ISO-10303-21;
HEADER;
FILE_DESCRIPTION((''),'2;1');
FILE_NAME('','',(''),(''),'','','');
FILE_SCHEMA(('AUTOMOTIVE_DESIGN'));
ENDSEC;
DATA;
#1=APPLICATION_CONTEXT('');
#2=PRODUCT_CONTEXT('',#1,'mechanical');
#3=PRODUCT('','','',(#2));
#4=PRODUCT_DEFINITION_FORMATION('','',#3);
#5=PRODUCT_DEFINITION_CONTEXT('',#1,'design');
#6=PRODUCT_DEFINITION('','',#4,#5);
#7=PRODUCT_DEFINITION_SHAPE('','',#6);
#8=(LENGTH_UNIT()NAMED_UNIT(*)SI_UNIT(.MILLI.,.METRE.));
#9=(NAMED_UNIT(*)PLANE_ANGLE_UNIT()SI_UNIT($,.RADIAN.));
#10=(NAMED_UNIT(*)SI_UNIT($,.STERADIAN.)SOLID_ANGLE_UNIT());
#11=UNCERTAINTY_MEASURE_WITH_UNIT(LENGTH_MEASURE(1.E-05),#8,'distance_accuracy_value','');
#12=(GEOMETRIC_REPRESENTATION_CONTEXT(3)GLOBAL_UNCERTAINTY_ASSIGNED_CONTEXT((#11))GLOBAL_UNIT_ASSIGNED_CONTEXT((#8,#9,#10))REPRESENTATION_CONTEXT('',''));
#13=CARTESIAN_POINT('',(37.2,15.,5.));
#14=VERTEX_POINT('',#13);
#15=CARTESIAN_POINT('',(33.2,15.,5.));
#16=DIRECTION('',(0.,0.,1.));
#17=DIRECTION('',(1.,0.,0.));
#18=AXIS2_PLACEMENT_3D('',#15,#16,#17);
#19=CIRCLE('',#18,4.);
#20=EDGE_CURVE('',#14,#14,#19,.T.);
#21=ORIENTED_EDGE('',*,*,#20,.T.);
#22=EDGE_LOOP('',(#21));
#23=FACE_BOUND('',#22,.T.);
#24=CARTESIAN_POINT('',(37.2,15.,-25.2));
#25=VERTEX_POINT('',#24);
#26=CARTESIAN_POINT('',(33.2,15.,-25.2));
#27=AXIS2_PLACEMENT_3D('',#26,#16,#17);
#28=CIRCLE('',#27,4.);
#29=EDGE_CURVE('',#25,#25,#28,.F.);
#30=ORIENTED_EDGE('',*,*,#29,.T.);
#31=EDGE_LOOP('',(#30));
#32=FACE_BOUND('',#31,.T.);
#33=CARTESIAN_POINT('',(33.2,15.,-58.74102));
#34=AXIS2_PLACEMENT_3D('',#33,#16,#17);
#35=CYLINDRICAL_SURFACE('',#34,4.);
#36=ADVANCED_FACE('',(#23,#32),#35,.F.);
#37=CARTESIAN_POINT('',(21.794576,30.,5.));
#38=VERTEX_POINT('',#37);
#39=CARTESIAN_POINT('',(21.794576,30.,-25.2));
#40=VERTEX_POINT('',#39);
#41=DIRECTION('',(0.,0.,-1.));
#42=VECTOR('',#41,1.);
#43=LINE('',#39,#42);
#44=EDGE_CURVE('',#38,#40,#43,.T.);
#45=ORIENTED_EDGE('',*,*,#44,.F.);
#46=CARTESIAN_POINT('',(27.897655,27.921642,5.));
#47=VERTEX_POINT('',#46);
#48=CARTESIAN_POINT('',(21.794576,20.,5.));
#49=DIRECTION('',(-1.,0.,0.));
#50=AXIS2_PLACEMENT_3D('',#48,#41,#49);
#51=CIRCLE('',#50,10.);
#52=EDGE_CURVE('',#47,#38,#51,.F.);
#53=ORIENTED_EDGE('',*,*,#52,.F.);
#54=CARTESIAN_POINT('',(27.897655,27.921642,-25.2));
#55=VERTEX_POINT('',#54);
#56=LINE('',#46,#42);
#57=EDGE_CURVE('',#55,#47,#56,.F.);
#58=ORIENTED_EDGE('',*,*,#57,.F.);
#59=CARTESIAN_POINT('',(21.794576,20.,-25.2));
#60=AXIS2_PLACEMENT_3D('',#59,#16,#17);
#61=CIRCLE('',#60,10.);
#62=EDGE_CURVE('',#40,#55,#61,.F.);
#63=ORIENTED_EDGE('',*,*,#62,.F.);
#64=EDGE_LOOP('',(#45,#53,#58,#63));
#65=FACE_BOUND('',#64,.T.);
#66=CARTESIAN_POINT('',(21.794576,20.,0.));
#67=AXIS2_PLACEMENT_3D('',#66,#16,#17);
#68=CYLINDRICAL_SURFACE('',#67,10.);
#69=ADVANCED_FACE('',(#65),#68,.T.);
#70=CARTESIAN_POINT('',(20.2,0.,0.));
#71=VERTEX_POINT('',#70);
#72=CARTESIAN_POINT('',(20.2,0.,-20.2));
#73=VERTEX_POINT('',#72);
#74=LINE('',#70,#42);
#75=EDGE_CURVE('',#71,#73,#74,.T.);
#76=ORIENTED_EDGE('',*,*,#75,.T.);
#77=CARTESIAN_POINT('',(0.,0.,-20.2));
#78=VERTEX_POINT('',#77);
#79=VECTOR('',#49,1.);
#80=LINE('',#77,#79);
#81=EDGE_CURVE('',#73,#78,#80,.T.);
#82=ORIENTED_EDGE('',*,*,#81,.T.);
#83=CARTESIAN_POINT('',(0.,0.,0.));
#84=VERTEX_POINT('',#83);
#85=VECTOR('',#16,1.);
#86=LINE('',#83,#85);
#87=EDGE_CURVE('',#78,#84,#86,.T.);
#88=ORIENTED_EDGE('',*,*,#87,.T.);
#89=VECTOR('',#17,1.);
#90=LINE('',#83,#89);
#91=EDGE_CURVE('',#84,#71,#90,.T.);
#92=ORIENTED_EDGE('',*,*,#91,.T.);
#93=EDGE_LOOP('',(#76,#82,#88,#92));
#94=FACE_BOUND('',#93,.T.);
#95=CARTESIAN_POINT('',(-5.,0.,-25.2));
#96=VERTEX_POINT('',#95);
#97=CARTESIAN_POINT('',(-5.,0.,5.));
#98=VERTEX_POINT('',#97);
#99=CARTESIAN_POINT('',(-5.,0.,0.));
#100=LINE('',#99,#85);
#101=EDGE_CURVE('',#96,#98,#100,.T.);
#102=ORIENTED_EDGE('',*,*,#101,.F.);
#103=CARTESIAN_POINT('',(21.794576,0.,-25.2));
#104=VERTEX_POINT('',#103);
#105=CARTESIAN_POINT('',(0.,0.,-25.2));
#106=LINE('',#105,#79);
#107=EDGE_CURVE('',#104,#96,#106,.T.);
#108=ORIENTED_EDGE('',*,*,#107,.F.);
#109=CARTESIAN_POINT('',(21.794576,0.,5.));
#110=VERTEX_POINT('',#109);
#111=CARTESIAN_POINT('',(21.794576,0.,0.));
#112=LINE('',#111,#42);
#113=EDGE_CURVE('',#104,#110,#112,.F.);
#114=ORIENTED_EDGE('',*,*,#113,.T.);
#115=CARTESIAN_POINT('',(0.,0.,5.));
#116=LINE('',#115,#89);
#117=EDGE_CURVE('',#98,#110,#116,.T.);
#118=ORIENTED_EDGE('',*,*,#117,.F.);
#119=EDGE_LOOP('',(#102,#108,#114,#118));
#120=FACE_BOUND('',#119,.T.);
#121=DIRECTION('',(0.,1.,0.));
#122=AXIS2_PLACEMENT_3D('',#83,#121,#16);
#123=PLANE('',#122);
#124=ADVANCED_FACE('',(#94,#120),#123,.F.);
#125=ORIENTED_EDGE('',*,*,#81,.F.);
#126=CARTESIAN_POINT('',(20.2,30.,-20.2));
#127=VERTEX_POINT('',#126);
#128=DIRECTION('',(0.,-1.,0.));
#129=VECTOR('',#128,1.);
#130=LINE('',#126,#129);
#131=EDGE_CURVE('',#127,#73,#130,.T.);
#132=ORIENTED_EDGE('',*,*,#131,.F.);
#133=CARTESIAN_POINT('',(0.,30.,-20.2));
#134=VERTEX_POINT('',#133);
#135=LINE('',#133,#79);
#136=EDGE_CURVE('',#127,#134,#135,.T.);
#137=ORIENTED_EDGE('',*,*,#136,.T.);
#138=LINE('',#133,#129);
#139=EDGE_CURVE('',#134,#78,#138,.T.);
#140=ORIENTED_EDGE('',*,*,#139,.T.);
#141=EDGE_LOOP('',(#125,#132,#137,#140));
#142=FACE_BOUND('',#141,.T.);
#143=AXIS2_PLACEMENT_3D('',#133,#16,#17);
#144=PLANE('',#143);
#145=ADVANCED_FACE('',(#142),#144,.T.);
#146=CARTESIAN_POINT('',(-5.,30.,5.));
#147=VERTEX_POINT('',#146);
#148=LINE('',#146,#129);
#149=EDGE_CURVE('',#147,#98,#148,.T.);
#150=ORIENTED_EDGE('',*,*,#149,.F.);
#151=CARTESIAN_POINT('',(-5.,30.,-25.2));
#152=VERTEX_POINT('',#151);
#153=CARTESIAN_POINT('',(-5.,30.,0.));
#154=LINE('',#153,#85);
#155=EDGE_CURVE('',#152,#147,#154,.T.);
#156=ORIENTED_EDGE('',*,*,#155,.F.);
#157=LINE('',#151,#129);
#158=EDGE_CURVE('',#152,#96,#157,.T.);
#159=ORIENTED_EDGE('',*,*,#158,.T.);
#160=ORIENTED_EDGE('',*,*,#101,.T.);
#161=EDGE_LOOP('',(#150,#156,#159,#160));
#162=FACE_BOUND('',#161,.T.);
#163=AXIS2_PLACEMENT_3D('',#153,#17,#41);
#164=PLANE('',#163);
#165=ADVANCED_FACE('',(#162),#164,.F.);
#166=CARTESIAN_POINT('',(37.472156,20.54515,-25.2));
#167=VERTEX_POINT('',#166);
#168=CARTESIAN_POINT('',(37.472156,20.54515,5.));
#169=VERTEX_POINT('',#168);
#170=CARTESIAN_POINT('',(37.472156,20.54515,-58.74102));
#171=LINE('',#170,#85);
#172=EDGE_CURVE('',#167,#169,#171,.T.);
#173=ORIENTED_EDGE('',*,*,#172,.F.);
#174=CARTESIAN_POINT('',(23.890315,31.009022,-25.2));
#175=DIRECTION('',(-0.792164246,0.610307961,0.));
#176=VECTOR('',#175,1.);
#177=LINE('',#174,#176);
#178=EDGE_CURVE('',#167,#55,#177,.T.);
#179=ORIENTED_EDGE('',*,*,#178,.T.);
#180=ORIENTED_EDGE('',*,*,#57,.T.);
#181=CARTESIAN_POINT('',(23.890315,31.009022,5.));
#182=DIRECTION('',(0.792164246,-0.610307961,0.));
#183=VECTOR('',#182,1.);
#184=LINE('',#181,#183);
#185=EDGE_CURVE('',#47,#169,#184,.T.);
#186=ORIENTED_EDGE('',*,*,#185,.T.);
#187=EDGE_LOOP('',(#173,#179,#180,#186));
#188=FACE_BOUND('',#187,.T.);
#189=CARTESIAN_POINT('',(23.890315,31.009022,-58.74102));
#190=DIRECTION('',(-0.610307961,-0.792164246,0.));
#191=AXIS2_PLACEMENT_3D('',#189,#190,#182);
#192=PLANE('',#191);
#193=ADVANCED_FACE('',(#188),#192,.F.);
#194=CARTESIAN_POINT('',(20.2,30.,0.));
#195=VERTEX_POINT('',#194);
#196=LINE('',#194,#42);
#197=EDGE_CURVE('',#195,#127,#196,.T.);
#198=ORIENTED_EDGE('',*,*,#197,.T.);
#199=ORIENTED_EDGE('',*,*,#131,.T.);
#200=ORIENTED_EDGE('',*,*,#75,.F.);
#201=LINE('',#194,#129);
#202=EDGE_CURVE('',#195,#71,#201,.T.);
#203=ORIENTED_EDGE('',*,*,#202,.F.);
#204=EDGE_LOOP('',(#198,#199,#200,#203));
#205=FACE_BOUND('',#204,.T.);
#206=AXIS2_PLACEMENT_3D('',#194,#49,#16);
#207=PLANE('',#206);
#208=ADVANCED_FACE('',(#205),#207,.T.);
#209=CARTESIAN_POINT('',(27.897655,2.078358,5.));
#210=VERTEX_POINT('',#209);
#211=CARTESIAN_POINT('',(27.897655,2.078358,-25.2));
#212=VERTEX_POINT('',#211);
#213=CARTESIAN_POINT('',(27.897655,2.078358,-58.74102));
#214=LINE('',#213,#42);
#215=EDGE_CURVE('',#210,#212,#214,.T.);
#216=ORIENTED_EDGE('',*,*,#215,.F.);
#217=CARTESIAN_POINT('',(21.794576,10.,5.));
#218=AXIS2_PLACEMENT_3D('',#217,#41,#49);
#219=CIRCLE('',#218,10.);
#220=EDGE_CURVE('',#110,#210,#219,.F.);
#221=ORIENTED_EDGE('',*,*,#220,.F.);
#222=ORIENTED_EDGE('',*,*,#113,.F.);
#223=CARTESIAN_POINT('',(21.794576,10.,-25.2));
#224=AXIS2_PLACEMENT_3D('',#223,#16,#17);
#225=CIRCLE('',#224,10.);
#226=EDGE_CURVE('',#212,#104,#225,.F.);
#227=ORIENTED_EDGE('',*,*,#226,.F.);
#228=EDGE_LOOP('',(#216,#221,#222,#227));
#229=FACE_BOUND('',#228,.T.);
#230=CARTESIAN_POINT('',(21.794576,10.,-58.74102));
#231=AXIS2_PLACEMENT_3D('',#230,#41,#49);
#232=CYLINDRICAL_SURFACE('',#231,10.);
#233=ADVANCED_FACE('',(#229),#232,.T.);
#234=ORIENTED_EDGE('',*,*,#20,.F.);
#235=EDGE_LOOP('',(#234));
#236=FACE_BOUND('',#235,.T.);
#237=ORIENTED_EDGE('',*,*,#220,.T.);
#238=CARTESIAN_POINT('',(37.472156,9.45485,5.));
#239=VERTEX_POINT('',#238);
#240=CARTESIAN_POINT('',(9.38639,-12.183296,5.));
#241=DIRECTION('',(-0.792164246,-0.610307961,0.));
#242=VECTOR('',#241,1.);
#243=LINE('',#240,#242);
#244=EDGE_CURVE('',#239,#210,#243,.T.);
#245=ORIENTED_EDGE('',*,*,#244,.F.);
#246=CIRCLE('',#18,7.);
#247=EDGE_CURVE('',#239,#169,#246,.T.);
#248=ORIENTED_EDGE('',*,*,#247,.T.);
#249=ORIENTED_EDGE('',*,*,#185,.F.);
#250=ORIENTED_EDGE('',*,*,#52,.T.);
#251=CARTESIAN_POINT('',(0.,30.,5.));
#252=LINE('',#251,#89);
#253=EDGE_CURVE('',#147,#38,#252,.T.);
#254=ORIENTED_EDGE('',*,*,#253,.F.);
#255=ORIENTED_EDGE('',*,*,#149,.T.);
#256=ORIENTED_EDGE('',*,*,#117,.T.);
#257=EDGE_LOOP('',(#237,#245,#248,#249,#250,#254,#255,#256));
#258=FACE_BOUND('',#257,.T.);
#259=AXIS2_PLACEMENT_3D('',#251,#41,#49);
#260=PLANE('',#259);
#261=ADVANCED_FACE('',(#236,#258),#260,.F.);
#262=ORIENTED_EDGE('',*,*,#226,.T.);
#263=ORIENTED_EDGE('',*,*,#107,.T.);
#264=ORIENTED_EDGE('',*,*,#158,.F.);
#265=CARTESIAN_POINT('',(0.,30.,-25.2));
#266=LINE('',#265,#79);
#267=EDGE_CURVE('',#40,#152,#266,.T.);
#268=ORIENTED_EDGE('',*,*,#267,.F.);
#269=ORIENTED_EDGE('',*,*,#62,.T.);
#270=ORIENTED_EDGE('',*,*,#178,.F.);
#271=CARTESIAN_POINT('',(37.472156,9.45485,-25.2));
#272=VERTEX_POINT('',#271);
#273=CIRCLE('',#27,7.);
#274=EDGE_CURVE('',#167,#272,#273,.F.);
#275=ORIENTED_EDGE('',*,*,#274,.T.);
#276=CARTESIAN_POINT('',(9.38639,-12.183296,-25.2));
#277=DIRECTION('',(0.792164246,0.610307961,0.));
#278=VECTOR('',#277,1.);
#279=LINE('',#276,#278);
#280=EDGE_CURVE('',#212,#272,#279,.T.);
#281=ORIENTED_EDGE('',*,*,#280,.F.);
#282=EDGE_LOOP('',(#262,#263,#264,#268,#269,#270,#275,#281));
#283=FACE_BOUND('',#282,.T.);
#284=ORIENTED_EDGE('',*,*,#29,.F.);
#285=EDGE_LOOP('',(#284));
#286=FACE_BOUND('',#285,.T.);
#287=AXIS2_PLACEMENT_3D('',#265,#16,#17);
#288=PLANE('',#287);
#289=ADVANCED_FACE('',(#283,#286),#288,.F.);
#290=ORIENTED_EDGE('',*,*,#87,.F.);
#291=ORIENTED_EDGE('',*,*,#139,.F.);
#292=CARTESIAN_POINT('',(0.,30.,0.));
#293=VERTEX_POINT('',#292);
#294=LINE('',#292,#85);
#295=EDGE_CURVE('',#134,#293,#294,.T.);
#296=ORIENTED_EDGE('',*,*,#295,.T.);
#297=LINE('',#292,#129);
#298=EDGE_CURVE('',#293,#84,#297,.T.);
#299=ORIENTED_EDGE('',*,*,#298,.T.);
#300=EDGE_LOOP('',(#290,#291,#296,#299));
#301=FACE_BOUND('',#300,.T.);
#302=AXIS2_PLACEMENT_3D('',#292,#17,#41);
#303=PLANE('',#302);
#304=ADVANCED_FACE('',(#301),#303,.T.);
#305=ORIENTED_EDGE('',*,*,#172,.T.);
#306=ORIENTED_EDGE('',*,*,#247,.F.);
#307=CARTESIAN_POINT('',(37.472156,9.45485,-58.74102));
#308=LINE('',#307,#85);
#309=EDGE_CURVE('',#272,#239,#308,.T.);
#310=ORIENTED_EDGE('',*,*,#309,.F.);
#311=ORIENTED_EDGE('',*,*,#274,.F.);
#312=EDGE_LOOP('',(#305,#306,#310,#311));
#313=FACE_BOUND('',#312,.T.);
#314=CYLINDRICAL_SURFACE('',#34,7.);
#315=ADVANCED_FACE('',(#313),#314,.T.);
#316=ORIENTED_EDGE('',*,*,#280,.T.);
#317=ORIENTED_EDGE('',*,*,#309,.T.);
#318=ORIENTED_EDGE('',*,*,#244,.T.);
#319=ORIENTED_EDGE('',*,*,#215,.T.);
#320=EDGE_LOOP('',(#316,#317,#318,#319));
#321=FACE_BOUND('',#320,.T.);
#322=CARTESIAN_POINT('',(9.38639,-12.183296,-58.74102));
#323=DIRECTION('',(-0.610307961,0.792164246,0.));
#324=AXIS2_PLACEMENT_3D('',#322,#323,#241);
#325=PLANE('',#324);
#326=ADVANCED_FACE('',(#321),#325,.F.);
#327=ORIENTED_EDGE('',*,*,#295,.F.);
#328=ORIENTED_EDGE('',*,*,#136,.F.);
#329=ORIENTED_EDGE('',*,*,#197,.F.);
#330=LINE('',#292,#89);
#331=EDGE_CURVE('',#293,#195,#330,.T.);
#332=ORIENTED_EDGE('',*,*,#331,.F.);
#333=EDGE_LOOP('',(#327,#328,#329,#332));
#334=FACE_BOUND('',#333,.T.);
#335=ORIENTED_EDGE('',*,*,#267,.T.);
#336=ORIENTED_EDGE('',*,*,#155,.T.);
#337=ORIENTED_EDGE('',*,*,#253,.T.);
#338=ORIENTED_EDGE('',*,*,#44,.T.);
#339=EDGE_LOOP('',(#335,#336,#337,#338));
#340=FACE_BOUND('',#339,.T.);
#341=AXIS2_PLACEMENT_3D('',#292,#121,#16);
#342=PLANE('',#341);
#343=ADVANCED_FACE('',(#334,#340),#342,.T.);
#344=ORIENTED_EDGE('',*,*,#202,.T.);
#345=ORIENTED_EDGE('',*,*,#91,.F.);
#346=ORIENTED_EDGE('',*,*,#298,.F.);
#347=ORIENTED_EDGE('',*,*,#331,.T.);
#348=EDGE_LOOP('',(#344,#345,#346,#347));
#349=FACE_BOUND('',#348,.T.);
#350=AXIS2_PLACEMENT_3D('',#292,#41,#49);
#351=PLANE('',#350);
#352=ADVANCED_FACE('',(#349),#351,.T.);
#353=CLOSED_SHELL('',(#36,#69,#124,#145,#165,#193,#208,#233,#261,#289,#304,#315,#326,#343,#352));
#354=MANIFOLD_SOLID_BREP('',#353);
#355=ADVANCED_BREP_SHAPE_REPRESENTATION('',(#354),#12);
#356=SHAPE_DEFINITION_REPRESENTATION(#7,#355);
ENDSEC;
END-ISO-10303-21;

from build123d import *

# Parameters (mm, degrees)
SKETCH1_W           = 30.2
SKETCH1_H           = 30.2
SKETCH1_W_2         = 20.2
SKETCH1_H_2         = 20.2
EXTRUDE_THIN1_DEPTH = 30
SKETCH2_R           = 4
BOSS_EXTRUDE1_DEPTH = 30.2
FILLET1_R           = 10


with BuildPart() as part:
    # Sketch1 → Extrude-Thin1 (new body)
    with BuildSketch(Plane(origin=(0, 0, 0), x_dir=(1, 0, 0), z_dir=(0, 1, 0))):
        with Locations((10.1, 10.1)):
            Rectangle(SKETCH1_W, SKETCH1_H)
        with Locations((10.1, 10.1)):
            Rectangle(SKETCH1_W_2, SKETCH1_H_2, mode=Mode.SUBTRACT)
    extrude(amount=EXTRUDE_THIN1_DEPTH)

    # Sketch2 → Boss-Extrude1 (add)
    with BuildSketch(Plane.XY.offset(5)):
        with BuildLine():
            Line((37.472155728, 20.545149722), (25.2, 30))
            Line((25.2, 30), (25.2, 0))
            Line((25.2, 0), (37.472155728, 9.454850278))
            ThreePointArc((37.472155728, 9.454850278), (40.2, 15), (37.472155728, 20.545149722))
        make_face()
        with Locations((33.2, 15)):
            Circle(SKETCH2_R, mode=Mode.SUBTRACT)
    extrude(amount=-BOSS_EXTRUDE1_DEPTH)

    # Fillet1
    fillet1_edges = [part.edges().sort_by_distance(p)[0] for p in [
        (25.2, 30, -10.1),
        (25.2, 0, -10.1),
    ]]
    fillet(fillet1_edges, radius=FILLET1_R)


solid = part.part
